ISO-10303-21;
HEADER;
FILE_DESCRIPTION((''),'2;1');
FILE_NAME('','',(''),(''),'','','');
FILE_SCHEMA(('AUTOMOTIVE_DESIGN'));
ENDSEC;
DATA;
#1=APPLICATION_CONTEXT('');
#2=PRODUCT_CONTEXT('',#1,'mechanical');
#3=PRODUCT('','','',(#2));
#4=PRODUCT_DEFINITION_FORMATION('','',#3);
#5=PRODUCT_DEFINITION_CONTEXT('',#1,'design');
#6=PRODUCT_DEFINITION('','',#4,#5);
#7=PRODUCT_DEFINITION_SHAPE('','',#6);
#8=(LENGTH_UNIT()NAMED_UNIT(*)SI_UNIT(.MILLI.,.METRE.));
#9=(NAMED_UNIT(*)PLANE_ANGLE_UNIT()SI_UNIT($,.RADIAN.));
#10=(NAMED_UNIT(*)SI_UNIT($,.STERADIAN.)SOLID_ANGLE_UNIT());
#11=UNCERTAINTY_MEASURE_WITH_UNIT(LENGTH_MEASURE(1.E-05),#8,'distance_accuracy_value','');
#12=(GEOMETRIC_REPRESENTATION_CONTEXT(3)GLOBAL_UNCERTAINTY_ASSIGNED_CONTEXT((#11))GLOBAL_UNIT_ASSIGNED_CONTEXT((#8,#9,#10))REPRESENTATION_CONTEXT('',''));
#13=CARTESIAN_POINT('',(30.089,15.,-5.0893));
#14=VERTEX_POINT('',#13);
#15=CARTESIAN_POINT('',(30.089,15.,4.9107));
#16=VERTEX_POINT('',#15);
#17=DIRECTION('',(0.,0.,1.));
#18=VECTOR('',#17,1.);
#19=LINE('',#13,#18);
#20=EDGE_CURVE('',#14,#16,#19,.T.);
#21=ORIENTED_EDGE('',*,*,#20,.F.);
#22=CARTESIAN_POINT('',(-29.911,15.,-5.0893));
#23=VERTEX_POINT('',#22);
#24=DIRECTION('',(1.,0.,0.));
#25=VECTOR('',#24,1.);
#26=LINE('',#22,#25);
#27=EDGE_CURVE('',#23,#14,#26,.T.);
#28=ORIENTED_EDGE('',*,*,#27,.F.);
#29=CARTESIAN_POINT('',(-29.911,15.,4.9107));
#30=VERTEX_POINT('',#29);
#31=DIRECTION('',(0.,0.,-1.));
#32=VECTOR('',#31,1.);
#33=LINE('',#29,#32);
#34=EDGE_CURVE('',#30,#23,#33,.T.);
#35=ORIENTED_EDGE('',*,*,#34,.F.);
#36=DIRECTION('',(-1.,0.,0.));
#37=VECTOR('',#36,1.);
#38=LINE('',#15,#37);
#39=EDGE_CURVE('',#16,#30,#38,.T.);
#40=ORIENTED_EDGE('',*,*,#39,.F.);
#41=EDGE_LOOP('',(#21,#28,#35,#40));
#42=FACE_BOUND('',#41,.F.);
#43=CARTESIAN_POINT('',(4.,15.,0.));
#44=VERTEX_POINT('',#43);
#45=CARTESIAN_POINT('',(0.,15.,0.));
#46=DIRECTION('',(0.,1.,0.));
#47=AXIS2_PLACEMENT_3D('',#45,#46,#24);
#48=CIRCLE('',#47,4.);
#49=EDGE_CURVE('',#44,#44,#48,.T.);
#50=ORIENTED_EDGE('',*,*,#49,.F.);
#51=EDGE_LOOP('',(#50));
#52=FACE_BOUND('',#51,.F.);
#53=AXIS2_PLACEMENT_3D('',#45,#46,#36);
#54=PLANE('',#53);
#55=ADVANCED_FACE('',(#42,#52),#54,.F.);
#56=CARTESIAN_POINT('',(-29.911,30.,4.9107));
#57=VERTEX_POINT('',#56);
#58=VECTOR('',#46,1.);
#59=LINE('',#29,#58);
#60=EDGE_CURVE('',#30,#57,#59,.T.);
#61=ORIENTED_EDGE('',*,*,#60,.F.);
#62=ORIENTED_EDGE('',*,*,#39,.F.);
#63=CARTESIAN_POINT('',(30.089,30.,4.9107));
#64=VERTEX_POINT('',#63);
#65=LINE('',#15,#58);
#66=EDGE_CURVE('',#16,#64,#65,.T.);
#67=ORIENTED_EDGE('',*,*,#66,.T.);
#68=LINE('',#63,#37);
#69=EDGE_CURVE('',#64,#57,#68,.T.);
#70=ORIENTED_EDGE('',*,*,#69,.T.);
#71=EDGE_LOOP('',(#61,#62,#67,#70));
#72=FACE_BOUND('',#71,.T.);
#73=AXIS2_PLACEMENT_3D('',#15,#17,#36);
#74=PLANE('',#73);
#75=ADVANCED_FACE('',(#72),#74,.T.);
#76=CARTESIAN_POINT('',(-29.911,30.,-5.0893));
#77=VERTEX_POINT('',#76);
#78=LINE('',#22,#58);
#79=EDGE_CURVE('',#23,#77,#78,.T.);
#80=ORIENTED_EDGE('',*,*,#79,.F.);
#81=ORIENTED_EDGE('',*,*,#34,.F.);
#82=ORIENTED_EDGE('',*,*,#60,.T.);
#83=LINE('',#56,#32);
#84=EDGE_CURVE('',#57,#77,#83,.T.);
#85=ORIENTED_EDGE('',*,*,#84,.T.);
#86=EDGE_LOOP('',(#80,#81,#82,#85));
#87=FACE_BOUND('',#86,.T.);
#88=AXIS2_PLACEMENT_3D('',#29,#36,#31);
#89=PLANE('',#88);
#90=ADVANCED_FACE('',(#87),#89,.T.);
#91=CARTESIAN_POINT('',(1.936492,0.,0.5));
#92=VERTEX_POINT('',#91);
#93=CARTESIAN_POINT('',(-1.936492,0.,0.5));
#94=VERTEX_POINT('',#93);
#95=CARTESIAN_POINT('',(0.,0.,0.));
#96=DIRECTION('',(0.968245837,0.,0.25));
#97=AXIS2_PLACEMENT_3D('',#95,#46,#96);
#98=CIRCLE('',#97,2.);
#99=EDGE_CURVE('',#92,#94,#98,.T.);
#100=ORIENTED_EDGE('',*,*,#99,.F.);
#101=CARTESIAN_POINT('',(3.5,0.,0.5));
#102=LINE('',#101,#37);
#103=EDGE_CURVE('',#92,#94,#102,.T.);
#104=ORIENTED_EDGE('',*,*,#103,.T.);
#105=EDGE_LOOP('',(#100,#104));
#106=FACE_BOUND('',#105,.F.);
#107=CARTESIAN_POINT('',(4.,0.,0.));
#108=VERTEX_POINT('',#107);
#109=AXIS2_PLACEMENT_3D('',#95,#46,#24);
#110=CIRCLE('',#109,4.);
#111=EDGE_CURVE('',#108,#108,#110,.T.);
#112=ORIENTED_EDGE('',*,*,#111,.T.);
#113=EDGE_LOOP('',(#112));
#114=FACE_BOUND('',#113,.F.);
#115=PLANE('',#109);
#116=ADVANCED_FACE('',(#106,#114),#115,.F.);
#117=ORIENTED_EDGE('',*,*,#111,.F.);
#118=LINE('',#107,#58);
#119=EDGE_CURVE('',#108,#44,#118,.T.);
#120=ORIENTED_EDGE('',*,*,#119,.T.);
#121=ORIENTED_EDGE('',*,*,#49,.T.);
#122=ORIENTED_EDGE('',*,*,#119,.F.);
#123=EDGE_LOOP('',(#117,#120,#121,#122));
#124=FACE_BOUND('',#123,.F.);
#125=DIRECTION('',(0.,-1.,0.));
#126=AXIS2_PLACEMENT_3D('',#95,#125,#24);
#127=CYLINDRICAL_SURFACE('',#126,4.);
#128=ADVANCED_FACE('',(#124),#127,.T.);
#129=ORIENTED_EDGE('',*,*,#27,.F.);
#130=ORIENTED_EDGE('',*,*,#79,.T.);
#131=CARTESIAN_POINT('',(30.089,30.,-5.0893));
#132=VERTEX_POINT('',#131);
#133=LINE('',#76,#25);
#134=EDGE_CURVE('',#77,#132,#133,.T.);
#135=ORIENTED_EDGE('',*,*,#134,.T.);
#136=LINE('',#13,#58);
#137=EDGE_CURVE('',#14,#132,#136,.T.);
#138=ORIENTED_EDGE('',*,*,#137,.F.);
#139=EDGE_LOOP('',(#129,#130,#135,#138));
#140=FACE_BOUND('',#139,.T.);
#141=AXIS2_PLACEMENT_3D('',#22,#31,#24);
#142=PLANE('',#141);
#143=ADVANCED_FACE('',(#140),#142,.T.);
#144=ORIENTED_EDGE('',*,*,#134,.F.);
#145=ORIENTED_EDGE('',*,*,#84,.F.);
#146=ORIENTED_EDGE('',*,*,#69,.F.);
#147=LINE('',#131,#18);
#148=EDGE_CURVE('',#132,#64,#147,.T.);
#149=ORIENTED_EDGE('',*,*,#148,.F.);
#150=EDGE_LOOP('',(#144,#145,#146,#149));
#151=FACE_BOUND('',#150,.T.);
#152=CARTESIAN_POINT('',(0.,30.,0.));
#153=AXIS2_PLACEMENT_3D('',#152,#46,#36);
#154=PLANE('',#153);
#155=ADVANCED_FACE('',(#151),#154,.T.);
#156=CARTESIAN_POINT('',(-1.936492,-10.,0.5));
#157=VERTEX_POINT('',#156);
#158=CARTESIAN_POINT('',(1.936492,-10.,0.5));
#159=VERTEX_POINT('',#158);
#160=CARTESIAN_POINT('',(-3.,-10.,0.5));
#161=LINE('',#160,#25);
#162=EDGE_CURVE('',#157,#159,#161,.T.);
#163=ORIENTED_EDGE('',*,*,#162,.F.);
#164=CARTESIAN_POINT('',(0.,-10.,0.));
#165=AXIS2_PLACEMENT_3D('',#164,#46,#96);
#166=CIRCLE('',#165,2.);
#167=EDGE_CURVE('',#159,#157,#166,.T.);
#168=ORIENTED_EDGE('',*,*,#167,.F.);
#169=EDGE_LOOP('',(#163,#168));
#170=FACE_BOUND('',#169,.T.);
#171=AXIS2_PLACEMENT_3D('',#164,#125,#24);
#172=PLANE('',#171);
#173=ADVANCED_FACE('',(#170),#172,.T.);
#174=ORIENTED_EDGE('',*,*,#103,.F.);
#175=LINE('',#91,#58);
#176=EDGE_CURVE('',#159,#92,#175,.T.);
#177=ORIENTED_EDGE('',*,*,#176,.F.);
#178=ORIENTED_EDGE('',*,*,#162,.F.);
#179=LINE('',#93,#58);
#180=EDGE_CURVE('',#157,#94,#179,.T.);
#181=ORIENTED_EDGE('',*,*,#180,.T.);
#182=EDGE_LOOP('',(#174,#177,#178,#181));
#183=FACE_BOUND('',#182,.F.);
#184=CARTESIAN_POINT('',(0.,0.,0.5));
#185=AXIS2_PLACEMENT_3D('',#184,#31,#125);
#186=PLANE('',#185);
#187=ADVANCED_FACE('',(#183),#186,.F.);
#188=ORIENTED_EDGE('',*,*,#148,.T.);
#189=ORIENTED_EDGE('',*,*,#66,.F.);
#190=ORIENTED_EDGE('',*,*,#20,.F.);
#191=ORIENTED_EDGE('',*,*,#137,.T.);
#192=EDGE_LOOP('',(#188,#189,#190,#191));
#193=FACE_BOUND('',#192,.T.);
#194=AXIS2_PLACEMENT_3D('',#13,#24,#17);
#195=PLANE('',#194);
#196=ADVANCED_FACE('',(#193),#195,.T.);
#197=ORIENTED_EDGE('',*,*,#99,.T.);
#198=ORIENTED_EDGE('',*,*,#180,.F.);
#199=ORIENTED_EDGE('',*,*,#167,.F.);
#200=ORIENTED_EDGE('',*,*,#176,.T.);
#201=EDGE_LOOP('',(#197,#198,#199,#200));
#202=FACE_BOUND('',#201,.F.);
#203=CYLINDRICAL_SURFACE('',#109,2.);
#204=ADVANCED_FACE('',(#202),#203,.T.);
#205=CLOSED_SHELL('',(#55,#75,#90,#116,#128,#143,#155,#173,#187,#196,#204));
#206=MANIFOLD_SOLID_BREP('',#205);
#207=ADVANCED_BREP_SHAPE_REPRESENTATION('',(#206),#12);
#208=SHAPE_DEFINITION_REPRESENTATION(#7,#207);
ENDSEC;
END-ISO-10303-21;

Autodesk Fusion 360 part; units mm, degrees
sketch "Esquisse1" plane through (0, 0, 0) normal (0, 1, 0) x (1, 0, 0)
  circle A0 centre (0, 0) radius 4
  dimension "d1" = 8
extrude "Extrusion1" add sketch "Esquisse1" along normal blind 15
sketch "Esquisse2" plane through (0, 15, 0) normal (0, 1, 0) x (-1, 0, 0)
  circle A0 centre (0, 0) radius 4
  line L0 (-30.089, 4.9107) -> (29.911, 4.9107)
  line L1 (29.911, 4.9107) -> (29.911, -5.0893)
  line L2 (29.911, -5.0893) -> (-30.089, -5.0893)
  line L3 (-30.089, -5.0893) -> (-30.089, 4.9107)
  point P0 (-0.089, -5.0893)
  dimension "d12" = 60
  dimension "d13" = 10
extrude "Extrusion2" add sketch "Esquisse2" along normal blind 15 contours A0 | L0 L1 L2 L3
sketch "Esquisse5" plane through (0, 0, 0) normal (0, -1, 0) x (1, 0, 0)
  circle A0 centre (0, 0) radius 4
  circle A1 centre (0, 0) radius 2
  dimension "d14" = 4
extrude "Extrusion4" add sketch "Esquisse5" along normal blind 10 contours A1
sketch "Esquisse7" plane through (0, 0, 0) normal (1, 0, 0) x (0, 1, 0)
  line L0 (-10, 2) -> (0, 2)
  line L1 (0, 2) -> (0, 0.5)
  line L2 (0, 0.5) -> (-10, 0.5)
  line L3 (-10, 0.5) -> (-10, 2)
  dimension "d19" = 10
  dimension "d20" = 1.5
extrude "Extrusion5" cut sketch "Esquisse7" along normal blind 3.5 and the other way blind 3
